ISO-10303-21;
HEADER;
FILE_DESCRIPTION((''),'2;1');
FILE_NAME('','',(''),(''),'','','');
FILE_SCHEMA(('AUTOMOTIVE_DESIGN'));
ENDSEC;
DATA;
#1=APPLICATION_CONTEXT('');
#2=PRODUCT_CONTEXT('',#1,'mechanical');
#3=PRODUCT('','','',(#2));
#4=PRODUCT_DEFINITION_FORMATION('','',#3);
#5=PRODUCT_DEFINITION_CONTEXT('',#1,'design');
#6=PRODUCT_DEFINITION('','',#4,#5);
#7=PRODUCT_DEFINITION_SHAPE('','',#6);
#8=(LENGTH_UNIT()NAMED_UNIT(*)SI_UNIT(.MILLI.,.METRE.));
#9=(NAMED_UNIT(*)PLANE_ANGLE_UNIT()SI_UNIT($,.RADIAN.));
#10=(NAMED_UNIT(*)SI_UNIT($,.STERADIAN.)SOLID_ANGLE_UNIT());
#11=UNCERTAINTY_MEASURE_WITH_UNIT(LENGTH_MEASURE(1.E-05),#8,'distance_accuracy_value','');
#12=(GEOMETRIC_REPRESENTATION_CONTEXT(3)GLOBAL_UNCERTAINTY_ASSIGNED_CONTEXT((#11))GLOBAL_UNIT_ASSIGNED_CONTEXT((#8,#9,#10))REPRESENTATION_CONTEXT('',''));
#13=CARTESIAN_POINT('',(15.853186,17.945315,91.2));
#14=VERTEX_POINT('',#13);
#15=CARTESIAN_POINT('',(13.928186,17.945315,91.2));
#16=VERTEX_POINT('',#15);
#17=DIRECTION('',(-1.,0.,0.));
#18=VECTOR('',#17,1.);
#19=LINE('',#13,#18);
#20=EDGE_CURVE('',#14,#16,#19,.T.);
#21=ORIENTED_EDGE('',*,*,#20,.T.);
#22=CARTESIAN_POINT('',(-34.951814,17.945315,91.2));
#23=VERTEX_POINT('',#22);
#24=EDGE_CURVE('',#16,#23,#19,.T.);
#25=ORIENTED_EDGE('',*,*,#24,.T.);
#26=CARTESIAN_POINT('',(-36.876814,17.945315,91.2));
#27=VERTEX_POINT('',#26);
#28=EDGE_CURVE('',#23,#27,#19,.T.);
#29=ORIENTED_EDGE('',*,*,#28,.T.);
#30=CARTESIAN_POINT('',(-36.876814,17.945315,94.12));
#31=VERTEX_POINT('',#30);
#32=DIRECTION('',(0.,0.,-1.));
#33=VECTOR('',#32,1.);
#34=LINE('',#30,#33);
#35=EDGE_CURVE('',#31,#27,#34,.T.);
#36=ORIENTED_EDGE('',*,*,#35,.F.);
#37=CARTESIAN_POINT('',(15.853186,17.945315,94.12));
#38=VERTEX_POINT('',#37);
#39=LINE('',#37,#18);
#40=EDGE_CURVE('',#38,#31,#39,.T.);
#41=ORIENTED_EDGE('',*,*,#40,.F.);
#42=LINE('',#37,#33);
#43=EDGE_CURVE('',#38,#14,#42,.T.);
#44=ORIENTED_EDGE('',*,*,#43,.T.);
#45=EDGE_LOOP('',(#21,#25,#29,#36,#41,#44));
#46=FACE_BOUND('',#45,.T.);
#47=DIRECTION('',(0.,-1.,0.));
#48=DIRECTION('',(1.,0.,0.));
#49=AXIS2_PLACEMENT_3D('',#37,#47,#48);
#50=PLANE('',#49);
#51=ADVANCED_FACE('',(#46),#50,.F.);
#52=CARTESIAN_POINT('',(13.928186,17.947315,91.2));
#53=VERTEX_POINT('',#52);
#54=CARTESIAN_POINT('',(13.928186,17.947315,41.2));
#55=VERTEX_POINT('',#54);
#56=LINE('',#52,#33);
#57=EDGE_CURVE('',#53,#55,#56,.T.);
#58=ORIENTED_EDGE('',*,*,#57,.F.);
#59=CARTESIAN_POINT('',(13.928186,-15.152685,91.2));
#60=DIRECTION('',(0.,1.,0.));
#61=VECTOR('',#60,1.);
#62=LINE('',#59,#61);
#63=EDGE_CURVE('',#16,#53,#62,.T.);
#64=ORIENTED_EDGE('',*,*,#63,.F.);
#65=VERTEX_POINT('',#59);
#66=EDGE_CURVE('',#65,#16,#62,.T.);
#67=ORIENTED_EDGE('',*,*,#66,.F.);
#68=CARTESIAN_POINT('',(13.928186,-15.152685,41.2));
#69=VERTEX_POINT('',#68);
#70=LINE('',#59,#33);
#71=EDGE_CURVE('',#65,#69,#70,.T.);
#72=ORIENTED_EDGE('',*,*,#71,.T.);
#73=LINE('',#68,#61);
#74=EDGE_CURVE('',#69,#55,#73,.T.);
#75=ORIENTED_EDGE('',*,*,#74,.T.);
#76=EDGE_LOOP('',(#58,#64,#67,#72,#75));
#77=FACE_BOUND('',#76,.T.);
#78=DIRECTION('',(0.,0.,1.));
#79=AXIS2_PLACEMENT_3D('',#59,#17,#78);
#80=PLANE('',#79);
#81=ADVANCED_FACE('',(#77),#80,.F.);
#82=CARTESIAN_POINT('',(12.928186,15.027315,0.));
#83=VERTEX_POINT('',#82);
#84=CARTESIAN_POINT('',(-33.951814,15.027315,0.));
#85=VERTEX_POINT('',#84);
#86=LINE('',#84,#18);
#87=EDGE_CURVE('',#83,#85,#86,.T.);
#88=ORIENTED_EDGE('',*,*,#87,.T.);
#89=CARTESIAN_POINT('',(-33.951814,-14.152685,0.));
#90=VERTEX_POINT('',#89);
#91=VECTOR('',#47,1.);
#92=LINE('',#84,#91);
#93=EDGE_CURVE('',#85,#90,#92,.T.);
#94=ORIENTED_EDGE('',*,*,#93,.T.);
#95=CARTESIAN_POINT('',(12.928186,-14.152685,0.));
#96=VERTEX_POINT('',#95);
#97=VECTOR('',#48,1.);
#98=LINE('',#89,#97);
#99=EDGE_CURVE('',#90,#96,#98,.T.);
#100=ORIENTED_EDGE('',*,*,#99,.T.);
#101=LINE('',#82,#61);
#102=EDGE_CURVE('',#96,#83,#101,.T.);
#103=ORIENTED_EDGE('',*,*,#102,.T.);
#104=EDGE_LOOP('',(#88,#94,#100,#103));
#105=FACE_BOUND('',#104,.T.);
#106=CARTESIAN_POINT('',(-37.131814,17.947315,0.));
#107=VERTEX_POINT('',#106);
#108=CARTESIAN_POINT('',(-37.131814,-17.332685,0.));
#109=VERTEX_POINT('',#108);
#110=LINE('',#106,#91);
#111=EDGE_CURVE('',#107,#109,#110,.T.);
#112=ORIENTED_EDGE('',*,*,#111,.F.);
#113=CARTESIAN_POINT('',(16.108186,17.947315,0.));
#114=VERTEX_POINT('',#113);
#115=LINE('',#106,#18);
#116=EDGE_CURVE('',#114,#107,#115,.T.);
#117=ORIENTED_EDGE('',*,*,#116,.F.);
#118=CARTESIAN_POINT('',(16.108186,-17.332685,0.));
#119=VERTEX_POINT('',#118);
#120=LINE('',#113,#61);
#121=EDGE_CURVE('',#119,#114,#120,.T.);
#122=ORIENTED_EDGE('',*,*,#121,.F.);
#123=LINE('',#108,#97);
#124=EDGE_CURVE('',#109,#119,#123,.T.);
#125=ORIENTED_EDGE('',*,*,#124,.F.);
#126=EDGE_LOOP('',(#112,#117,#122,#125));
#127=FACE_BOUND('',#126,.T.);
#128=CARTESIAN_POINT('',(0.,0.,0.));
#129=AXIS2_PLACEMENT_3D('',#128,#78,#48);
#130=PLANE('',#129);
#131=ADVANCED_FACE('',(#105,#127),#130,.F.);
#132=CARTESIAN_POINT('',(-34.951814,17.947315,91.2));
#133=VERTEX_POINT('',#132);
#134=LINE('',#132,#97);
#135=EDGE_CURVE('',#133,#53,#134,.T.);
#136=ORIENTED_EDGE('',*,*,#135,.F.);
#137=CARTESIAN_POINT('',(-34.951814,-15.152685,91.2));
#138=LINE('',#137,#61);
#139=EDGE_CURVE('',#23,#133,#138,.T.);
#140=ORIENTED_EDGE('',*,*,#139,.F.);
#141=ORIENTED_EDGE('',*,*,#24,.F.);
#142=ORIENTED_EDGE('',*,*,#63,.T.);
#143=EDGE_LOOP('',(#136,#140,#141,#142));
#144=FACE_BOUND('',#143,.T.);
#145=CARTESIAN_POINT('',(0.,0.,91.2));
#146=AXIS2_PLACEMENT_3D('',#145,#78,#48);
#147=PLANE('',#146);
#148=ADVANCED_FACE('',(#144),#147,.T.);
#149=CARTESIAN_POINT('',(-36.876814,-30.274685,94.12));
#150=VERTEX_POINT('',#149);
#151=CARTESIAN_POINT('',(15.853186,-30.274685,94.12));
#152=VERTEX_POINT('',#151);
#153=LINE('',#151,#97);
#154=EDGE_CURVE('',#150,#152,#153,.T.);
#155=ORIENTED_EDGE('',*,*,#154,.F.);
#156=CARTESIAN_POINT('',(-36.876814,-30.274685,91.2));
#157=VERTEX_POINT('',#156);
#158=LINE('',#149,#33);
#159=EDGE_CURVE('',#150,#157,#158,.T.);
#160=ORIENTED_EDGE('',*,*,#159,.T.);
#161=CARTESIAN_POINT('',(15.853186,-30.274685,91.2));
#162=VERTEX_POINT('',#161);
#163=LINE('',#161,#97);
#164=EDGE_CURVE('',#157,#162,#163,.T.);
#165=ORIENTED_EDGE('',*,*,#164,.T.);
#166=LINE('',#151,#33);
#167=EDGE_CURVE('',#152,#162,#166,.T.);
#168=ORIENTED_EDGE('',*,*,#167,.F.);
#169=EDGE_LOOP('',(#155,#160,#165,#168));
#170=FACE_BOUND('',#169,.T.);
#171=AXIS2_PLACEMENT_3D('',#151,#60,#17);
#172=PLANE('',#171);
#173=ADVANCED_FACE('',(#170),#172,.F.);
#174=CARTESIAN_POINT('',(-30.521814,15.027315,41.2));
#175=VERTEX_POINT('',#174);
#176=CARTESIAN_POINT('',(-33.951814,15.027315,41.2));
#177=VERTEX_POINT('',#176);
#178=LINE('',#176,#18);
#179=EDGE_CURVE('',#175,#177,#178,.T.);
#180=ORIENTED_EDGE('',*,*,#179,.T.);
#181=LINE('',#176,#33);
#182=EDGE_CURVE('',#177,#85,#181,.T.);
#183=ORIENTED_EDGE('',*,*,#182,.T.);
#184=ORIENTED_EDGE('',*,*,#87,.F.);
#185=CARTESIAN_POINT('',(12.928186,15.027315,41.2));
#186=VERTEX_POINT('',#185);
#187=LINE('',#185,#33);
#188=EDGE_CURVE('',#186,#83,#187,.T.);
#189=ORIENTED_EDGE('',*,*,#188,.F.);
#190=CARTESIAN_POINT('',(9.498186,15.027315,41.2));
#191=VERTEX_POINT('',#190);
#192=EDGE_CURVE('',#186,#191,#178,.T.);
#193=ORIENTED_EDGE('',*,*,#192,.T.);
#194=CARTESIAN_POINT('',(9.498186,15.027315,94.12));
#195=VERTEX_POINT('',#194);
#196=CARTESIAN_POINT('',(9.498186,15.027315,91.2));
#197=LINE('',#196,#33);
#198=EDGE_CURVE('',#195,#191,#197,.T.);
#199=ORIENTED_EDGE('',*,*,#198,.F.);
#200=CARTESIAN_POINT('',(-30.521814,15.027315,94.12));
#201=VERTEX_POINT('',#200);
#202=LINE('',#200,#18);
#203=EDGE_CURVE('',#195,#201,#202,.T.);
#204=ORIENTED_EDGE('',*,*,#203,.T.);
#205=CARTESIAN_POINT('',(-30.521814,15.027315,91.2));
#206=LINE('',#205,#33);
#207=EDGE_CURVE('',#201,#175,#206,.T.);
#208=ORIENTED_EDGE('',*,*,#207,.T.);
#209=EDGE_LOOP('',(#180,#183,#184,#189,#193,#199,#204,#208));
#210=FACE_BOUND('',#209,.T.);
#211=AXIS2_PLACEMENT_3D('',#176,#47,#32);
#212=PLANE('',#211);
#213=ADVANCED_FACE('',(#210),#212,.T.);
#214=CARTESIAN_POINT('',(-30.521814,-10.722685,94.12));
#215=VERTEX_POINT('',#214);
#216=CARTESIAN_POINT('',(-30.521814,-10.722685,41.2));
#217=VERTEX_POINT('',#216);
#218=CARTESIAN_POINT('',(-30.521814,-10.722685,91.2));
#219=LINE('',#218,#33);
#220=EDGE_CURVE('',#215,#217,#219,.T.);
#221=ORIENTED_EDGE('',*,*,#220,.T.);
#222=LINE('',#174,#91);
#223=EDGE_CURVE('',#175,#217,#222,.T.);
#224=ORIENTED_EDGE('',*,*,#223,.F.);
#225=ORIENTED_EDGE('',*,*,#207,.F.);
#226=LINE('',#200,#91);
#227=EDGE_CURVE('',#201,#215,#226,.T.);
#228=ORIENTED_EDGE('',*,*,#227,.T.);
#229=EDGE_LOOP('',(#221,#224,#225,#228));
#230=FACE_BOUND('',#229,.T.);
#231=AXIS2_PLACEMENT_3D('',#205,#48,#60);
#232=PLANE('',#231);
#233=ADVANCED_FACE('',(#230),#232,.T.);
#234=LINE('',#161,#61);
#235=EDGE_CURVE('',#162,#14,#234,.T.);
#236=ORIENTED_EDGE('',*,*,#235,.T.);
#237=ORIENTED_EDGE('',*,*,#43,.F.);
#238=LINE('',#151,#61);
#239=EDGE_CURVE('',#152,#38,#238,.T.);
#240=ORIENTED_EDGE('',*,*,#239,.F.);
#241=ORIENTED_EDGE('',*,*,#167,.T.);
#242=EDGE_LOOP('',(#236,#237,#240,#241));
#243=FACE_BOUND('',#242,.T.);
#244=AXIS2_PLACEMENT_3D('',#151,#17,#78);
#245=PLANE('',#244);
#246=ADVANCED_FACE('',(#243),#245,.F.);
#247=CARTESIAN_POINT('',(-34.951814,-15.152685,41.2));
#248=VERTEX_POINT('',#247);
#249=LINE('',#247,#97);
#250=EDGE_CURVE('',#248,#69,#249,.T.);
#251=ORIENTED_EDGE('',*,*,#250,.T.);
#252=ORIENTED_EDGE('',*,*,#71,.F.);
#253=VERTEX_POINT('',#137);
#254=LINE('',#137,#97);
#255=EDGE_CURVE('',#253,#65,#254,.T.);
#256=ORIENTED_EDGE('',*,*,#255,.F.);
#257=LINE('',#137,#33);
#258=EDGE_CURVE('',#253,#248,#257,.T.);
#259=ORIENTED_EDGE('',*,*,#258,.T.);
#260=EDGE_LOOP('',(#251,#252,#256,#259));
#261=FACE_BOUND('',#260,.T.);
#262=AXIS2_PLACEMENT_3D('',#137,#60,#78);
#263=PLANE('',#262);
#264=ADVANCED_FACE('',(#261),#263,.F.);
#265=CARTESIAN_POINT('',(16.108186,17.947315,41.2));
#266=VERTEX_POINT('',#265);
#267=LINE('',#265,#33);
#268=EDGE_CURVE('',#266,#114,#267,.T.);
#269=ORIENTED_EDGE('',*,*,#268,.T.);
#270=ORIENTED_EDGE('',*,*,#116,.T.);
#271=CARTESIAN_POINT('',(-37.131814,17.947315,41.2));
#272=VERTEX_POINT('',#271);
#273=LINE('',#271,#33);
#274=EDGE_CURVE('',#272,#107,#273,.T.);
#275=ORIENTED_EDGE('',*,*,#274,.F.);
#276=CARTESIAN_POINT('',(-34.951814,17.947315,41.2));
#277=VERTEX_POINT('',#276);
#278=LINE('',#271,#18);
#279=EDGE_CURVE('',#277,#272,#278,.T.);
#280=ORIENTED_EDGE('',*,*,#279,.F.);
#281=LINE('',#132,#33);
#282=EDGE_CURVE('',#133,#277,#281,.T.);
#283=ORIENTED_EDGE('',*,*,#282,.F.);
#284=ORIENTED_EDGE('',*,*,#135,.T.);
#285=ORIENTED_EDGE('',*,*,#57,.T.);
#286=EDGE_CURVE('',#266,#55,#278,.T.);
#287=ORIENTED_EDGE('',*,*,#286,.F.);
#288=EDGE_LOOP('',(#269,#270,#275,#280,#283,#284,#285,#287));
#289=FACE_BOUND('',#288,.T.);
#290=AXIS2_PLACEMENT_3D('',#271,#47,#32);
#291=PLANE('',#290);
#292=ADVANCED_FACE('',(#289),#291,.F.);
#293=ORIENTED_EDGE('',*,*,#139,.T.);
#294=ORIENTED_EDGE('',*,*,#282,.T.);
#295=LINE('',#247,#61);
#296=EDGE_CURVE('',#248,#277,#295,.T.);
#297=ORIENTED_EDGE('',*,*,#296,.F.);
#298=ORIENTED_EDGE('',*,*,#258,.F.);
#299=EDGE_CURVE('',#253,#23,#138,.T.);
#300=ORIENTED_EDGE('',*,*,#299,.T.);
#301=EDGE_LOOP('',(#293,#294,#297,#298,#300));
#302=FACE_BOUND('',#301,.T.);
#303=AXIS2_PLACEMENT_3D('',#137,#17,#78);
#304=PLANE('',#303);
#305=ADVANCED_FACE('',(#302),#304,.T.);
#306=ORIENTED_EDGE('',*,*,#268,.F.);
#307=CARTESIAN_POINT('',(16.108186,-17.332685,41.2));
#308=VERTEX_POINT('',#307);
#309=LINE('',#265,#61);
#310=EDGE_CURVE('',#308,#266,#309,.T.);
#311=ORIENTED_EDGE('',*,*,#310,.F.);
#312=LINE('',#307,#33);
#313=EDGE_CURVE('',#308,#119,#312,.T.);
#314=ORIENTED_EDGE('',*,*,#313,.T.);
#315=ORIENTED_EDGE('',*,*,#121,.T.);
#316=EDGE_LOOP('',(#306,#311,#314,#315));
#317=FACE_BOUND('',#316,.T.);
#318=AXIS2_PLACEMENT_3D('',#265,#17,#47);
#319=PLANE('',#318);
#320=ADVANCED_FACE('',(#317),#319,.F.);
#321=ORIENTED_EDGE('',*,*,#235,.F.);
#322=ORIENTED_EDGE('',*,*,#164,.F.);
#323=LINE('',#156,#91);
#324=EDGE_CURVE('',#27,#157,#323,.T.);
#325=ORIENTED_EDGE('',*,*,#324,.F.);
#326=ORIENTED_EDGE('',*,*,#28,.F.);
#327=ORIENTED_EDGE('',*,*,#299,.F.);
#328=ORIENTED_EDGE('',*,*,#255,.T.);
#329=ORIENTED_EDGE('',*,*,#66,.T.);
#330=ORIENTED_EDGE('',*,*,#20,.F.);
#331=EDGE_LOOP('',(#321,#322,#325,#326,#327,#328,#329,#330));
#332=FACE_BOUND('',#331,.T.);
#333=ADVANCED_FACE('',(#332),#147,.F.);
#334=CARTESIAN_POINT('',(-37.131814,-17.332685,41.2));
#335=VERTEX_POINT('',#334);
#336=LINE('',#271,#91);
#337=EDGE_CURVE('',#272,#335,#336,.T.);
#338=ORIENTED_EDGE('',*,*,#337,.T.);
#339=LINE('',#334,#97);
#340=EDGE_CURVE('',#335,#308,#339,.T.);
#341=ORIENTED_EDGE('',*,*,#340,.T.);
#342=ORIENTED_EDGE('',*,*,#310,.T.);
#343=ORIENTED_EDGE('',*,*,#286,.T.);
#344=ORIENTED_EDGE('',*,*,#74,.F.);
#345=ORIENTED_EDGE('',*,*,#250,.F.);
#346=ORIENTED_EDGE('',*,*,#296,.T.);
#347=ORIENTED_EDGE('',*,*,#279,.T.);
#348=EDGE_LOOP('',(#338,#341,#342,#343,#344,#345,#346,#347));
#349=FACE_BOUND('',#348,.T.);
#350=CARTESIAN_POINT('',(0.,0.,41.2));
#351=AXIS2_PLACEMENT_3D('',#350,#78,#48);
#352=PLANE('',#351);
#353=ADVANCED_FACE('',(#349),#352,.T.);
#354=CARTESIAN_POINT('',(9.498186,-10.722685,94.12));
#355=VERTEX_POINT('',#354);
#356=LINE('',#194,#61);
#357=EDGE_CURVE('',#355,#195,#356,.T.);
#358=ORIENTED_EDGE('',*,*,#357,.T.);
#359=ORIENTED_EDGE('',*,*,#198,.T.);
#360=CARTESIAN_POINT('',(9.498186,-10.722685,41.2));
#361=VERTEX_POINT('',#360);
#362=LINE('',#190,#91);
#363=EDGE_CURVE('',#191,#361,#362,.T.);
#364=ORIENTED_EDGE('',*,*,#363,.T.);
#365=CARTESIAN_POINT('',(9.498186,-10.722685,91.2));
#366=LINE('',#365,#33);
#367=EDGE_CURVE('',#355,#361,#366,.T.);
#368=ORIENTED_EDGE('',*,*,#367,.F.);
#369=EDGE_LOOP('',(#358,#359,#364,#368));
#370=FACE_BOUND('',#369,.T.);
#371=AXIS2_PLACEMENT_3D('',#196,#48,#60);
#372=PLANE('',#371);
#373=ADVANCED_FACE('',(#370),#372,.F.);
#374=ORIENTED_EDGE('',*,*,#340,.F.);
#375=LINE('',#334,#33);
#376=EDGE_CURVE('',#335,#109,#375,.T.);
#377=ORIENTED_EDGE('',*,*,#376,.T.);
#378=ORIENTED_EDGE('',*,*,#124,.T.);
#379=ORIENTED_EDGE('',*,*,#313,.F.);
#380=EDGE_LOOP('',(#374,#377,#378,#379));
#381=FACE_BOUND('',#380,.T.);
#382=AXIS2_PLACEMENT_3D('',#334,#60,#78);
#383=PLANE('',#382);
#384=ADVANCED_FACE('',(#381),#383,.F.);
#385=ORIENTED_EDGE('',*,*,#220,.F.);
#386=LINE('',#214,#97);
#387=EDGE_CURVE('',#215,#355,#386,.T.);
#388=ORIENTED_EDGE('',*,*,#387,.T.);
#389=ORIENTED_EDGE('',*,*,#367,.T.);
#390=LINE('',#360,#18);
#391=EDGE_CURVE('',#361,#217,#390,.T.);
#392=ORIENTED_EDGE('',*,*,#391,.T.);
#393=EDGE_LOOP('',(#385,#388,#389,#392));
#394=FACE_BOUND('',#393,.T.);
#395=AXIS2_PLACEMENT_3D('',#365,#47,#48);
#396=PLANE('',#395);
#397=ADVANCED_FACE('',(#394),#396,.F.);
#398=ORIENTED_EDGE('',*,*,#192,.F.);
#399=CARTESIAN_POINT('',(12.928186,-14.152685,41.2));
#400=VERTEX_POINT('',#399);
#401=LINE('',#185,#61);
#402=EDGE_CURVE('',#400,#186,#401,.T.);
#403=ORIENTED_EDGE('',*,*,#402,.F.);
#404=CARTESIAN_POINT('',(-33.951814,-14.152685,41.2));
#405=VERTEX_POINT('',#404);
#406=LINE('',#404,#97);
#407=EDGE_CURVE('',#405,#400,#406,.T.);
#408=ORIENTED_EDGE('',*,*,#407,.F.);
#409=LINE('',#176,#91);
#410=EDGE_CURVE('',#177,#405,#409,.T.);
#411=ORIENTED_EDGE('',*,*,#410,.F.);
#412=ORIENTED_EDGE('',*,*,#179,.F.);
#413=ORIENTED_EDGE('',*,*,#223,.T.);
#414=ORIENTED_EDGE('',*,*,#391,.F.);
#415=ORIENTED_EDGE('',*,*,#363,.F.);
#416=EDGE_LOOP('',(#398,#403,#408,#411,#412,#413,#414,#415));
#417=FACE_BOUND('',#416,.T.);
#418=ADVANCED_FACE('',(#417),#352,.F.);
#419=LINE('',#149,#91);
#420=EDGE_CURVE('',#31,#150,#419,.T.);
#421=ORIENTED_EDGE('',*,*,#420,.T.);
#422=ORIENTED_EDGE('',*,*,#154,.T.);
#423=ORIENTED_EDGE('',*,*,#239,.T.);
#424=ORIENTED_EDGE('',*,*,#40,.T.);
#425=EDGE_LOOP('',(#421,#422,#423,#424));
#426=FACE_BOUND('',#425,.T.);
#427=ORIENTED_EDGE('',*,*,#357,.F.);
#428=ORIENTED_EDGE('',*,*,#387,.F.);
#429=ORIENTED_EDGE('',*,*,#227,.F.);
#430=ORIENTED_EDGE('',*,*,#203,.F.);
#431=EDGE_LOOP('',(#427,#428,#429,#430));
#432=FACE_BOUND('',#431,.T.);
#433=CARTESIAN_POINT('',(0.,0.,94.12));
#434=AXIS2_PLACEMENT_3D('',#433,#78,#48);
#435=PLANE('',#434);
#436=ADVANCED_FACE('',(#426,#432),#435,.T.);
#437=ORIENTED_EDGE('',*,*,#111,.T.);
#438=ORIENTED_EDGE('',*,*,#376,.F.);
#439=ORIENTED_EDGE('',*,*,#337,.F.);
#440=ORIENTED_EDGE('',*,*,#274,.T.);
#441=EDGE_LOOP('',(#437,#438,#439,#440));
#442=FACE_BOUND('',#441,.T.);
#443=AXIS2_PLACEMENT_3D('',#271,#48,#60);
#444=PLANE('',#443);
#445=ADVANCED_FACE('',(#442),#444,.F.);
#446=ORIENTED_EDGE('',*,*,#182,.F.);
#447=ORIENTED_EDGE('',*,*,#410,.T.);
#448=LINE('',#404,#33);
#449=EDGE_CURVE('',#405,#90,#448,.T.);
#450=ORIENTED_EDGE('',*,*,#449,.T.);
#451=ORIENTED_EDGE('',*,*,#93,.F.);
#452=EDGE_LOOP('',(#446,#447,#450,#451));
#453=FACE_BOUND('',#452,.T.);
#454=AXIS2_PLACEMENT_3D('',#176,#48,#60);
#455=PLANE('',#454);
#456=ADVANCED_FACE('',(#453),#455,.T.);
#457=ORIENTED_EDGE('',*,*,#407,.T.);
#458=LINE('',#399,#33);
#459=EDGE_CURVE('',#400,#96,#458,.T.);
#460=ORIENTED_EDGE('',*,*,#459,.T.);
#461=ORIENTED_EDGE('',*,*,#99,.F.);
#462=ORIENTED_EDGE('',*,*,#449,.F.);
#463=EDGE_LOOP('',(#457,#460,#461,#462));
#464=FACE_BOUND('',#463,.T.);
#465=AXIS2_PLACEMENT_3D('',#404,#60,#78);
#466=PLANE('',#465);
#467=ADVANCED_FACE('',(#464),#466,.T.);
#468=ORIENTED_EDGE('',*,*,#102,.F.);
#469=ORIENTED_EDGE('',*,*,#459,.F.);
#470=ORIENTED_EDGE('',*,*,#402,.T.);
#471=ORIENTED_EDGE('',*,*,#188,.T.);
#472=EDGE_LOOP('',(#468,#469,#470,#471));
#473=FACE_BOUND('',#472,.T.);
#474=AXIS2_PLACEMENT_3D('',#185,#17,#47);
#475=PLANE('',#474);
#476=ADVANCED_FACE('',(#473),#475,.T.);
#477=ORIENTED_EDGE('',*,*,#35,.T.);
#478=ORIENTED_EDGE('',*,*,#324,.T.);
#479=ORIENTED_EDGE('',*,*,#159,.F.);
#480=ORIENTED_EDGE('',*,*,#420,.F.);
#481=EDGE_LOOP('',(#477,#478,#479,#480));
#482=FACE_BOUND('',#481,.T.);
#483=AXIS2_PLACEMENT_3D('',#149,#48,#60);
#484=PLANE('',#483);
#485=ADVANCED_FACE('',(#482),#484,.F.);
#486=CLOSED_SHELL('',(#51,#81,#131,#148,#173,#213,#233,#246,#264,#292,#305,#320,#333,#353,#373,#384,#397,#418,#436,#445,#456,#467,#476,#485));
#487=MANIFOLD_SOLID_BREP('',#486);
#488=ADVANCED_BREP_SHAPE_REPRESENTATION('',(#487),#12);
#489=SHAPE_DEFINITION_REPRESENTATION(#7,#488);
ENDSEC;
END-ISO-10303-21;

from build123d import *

# Parameters (mm, degrees)
CROQUIS1_W               = 53.24
CROQUIS1_H               = 35.28
CROQUIS1_W_2             = 46.88
CROQUIS1_H_2             = 29.18
SALIENTE_EXTRUIR2_DEPTH  = 41.2
CROQUIS3_W               = 48.88
CROQUIS3_H               = 33.1
CROQUIS3_W_2             = 40.02
CROQUIS3_H_2             = 25.75
SALIENTE_EXTRUIR11_DEPTH = 50
CROQUIS15_W              = 52.73
CROQUIS15_H              = 48.22
CROQUIS15_W_2            = 40.02
CROQUIS15_H_2            = 25.75
SALIENTE_EXTRUIR13_DEPTH = 2.92


with BuildPart() as part:
    # Croquis1 → Saliente-Extruir2 (new body)
    with BuildSketch(Plane.XY):
        with Locations((-10.511813518, 0.307314635)):
            Rectangle(CROQUIS1_W, CROQUIS1_H)
        with Locations((-10.511813518, 0.437314635)):
            Rectangle(CROQUIS1_W_2, CROQUIS1_H_2, mode=Mode.SUBTRACT)
    extrude(amount=SALIENTE_EXTRUIR2_DEPTH)

    # Croquis3 → Saliente-Extruir11 (add)
    with BuildSketch(Plane.XY.offset(41.2)):
        with Locations((-10.511813518, 1.397314635)):
            Rectangle(CROQUIS3_W, CROQUIS3_H)
        with Locations((-10.511813518, 2.152314635)):
            Rectangle(CROQUIS3_W_2, CROQUIS3_H_2, mode=Mode.SUBTRACT)
    extrude(amount=SALIENTE_EXTRUIR11_DEPTH)

    # Croquis15 → Saliente-Extruir13 (add)
    with BuildSketch(Plane.XY.offset(91.2)):
        with Locations((-10.511813518, -6.164685365)):
            Rectangle(CROQUIS15_W, CROQUIS15_H)
        with Locations((-10.511813518, 2.152314635)):
            Rectangle(CROQUIS15_W_2, CROQUIS15_H_2, mode=Mode.SUBTRACT)
    extrude(amount=SALIENTE_EXTRUIR13_DEPTH)


solid = part.part
